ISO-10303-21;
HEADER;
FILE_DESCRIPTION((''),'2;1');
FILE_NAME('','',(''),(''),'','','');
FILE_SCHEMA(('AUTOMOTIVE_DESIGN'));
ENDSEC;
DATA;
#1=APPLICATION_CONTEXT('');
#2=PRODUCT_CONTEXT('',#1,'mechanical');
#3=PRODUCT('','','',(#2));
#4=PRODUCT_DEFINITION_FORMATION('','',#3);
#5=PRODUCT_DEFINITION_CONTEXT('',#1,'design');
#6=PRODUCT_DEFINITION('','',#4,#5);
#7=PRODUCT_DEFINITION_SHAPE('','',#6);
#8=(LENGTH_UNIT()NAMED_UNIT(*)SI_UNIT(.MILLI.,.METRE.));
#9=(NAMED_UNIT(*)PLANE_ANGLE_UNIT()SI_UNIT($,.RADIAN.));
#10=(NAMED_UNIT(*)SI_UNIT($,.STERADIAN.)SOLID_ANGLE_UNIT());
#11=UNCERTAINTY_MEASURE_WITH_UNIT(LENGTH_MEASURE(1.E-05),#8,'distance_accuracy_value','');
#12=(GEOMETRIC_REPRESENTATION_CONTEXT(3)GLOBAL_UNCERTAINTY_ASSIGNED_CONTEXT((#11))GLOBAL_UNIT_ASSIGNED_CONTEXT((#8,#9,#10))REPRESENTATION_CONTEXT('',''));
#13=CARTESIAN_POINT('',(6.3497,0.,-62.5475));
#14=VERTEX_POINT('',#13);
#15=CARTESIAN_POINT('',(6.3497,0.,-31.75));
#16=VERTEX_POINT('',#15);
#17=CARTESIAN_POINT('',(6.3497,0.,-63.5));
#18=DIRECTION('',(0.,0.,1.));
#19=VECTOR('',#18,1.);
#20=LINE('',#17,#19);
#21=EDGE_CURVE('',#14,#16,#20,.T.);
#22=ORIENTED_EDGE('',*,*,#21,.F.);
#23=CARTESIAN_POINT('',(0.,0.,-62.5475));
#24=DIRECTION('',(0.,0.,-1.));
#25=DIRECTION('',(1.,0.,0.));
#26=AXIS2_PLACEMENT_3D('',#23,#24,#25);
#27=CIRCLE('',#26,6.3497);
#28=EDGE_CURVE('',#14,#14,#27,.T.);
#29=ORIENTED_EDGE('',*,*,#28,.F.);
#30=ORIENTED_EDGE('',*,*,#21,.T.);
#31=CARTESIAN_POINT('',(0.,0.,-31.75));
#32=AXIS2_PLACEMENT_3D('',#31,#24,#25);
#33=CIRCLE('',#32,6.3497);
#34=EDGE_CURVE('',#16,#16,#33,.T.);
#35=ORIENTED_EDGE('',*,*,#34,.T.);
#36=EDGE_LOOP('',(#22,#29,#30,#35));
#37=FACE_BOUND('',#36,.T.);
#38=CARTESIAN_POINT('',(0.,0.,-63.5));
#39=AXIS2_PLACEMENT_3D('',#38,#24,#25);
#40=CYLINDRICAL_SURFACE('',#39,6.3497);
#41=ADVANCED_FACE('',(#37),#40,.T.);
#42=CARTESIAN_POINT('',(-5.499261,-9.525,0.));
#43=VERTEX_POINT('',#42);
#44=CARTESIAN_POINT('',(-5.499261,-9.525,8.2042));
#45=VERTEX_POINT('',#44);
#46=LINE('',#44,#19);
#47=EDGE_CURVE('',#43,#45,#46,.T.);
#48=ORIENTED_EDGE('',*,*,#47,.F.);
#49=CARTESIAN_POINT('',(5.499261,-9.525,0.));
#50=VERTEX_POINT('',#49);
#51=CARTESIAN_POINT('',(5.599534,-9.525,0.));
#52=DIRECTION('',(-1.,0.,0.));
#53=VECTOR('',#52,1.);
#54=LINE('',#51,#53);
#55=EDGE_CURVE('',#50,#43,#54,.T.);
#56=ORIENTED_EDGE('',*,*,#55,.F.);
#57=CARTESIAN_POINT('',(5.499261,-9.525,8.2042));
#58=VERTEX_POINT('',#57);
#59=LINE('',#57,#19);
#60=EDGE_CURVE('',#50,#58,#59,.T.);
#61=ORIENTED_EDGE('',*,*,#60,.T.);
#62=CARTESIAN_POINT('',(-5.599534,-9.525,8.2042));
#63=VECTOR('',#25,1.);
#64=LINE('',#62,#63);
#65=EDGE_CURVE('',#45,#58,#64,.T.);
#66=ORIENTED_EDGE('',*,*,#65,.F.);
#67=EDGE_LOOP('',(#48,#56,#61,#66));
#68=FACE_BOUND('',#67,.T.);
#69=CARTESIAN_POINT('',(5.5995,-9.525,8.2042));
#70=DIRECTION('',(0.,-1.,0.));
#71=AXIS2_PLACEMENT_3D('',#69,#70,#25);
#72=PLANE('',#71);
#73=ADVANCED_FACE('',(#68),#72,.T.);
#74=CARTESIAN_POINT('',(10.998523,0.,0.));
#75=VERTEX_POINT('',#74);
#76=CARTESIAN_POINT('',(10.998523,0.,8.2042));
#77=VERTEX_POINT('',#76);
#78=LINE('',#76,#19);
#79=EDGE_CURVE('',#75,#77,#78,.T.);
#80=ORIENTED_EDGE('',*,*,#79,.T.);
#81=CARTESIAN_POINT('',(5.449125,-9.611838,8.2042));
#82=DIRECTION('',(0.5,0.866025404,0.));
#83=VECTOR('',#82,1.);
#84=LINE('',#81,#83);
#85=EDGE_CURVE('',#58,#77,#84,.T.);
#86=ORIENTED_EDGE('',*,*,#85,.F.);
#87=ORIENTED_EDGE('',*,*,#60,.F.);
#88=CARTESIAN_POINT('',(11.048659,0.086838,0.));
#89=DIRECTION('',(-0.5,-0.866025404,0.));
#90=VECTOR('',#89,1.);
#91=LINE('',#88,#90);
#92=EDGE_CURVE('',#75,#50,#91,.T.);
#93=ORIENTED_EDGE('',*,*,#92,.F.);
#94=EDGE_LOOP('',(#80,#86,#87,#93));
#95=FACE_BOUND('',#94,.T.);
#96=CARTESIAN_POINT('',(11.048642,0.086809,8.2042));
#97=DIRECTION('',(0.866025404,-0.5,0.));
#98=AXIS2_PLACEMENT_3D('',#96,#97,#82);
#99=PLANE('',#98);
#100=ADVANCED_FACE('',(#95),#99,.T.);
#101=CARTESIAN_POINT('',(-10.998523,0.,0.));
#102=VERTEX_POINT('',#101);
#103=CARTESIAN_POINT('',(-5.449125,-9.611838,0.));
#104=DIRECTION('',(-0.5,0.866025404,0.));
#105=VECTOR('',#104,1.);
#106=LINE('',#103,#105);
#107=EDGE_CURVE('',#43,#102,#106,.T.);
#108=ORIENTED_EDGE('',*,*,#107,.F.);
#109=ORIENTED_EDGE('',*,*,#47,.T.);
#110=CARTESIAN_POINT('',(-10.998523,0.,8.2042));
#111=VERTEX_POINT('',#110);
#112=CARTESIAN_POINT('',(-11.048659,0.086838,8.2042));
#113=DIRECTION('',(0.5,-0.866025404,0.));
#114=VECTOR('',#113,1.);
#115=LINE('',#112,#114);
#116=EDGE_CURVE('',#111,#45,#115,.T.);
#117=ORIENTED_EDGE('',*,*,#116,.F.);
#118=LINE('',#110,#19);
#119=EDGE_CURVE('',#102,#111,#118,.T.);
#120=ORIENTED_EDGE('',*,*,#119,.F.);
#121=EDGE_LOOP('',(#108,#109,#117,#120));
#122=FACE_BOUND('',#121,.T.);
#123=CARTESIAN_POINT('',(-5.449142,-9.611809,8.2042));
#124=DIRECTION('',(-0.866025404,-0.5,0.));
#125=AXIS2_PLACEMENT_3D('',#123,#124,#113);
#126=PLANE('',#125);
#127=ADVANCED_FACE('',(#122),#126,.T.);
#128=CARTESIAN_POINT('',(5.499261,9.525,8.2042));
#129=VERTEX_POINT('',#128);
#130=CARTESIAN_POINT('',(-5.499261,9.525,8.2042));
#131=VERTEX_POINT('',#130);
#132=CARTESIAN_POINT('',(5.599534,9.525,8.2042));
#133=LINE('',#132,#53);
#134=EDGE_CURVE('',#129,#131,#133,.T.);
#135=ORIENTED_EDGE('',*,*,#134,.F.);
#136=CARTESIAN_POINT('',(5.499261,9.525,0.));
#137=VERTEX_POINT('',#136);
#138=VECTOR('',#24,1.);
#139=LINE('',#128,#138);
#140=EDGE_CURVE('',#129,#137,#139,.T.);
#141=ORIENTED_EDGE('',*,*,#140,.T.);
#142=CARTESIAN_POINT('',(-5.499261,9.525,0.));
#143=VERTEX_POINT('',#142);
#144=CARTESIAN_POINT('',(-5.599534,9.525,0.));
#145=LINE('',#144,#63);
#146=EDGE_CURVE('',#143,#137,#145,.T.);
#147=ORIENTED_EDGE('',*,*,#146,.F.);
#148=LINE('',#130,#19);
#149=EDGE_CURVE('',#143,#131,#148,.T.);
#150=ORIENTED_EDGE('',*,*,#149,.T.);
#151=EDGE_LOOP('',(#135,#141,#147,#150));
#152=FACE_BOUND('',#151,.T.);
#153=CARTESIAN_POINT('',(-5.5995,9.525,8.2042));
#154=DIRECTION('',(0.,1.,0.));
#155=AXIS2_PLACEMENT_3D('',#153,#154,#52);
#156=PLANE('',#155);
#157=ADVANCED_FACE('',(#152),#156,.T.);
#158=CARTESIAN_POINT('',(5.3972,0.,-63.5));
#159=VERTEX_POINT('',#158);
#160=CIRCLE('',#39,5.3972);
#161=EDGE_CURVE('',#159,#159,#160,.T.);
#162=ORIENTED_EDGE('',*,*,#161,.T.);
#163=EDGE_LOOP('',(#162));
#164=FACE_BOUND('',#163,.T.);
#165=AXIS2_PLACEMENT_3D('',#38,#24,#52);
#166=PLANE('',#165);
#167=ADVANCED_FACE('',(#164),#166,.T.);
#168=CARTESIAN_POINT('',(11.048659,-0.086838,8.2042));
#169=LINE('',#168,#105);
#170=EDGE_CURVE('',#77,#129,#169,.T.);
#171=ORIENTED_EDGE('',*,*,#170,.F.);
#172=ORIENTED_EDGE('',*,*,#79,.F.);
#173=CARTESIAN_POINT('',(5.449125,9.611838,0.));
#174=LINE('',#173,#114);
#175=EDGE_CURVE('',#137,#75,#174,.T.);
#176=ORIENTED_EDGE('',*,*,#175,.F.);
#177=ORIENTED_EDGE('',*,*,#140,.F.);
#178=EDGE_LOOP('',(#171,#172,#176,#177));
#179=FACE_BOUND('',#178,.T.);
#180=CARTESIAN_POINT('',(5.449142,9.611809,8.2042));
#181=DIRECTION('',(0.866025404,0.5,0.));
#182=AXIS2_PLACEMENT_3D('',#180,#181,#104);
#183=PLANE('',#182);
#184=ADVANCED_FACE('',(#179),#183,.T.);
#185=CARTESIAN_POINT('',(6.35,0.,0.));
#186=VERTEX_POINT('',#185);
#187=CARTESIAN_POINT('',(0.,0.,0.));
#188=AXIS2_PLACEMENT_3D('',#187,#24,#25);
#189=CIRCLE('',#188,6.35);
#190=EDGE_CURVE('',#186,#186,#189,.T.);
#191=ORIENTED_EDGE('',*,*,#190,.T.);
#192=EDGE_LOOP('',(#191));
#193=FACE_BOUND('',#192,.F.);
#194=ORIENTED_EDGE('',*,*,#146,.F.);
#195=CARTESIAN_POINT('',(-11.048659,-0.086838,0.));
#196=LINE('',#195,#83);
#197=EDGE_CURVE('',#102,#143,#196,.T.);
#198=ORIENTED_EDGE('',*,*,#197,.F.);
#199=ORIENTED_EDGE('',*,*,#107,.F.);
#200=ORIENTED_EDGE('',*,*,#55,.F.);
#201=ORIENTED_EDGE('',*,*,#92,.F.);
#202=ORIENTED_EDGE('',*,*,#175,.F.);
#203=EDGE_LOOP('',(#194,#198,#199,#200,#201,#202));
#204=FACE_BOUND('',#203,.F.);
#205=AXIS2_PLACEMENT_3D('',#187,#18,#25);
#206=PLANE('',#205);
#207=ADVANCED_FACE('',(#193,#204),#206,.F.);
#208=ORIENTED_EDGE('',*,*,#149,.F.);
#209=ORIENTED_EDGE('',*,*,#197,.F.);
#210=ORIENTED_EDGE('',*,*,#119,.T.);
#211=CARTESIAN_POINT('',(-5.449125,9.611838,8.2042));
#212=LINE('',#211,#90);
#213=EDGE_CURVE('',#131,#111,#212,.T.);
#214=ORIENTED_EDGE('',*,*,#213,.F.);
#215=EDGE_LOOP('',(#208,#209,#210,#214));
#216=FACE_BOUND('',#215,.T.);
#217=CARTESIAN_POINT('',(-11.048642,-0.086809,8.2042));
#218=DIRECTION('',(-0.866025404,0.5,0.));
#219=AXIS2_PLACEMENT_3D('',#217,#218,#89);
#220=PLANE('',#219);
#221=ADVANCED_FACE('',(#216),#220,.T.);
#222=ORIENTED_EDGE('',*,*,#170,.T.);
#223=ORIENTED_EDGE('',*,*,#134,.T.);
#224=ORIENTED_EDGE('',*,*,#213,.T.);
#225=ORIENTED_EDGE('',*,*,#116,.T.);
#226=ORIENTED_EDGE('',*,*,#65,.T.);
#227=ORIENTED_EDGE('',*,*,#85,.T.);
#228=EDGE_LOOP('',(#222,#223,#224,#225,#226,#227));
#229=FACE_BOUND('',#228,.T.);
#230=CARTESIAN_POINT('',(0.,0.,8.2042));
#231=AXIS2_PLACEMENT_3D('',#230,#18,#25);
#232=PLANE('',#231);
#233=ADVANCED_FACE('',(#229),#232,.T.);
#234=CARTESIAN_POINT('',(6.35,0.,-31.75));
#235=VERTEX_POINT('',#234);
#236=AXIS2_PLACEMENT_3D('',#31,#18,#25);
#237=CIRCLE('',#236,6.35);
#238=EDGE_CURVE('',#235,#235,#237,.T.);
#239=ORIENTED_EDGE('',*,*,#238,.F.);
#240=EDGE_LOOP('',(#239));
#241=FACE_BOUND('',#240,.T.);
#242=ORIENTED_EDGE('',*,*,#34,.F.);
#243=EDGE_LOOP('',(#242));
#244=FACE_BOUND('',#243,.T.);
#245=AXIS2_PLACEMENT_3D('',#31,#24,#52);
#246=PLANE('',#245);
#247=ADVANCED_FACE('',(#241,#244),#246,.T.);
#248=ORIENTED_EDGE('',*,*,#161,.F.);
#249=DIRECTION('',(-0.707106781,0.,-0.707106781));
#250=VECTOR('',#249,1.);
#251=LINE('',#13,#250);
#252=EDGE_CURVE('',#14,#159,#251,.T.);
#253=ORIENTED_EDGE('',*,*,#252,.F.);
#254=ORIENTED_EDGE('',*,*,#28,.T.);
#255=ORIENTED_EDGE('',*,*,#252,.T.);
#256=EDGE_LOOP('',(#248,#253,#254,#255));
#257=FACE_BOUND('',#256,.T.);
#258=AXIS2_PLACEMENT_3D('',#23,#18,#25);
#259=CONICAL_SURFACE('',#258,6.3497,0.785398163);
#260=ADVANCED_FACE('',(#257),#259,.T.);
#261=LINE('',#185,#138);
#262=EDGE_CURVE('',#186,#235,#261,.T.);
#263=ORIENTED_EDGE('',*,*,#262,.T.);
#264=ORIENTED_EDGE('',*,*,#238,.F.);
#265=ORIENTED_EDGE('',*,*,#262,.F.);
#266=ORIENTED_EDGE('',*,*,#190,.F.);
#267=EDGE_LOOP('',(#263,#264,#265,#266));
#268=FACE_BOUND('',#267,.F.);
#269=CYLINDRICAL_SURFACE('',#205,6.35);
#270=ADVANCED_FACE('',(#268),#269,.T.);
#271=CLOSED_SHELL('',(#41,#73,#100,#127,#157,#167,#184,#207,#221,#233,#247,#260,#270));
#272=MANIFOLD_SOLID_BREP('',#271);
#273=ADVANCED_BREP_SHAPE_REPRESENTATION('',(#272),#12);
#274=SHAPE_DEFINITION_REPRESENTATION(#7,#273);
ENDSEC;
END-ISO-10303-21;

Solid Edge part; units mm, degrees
sketch "Sketch1" plane through (0, 0, 0) normal (0, 0, 1) x (1, 0, 0)
  circle A0 centre (0, 0) radius 11.049
  dimension "D1" = 22.098
extrude "Protrusion1" add sketch "Sketch1" along normal blind 8.2042
sketch "Sketch2" plane through (0, 0, 0) normal (0, 0, -1) x (1, 0, 0)
  circle A0 centre (0, 0) radius 6.35
extrude "Protrusion2" add sketch "Sketch2" along normal blind 63.5
sketch "Sketch3" plane through (0, 0, -63.5) normal (0, 0, -1) x (1, 0, 0)
  circle A0 centre (0, 0) radius 6.3497
extrude "Cutout1" cut sketch "Sketch3" against normal blind 31.75 flip side to cut
chamfer "Chamfer_1" distance 0.9525 angle 45 1 edges at (-6.3497, 0, -63.5)
sketch "Sketch4" plane through (0, 0, 8.2042) normal (0, 0, 1) x (1, 0, 0)
  line L0 (-5.5995, 9.525) -> (5.5995, 9.525)
  dimension "D1" = 19.05
extrude "Cutout2" cut sketch "Sketch4" against normal up to next material side at (0, 9.575, 8.2042)
pattern_circular "Pattern1" count 6 over 360 about axis through (0, 0, 8.2042) along (0, 0, 1) of "Cutout2"
properties part number "24100033"
